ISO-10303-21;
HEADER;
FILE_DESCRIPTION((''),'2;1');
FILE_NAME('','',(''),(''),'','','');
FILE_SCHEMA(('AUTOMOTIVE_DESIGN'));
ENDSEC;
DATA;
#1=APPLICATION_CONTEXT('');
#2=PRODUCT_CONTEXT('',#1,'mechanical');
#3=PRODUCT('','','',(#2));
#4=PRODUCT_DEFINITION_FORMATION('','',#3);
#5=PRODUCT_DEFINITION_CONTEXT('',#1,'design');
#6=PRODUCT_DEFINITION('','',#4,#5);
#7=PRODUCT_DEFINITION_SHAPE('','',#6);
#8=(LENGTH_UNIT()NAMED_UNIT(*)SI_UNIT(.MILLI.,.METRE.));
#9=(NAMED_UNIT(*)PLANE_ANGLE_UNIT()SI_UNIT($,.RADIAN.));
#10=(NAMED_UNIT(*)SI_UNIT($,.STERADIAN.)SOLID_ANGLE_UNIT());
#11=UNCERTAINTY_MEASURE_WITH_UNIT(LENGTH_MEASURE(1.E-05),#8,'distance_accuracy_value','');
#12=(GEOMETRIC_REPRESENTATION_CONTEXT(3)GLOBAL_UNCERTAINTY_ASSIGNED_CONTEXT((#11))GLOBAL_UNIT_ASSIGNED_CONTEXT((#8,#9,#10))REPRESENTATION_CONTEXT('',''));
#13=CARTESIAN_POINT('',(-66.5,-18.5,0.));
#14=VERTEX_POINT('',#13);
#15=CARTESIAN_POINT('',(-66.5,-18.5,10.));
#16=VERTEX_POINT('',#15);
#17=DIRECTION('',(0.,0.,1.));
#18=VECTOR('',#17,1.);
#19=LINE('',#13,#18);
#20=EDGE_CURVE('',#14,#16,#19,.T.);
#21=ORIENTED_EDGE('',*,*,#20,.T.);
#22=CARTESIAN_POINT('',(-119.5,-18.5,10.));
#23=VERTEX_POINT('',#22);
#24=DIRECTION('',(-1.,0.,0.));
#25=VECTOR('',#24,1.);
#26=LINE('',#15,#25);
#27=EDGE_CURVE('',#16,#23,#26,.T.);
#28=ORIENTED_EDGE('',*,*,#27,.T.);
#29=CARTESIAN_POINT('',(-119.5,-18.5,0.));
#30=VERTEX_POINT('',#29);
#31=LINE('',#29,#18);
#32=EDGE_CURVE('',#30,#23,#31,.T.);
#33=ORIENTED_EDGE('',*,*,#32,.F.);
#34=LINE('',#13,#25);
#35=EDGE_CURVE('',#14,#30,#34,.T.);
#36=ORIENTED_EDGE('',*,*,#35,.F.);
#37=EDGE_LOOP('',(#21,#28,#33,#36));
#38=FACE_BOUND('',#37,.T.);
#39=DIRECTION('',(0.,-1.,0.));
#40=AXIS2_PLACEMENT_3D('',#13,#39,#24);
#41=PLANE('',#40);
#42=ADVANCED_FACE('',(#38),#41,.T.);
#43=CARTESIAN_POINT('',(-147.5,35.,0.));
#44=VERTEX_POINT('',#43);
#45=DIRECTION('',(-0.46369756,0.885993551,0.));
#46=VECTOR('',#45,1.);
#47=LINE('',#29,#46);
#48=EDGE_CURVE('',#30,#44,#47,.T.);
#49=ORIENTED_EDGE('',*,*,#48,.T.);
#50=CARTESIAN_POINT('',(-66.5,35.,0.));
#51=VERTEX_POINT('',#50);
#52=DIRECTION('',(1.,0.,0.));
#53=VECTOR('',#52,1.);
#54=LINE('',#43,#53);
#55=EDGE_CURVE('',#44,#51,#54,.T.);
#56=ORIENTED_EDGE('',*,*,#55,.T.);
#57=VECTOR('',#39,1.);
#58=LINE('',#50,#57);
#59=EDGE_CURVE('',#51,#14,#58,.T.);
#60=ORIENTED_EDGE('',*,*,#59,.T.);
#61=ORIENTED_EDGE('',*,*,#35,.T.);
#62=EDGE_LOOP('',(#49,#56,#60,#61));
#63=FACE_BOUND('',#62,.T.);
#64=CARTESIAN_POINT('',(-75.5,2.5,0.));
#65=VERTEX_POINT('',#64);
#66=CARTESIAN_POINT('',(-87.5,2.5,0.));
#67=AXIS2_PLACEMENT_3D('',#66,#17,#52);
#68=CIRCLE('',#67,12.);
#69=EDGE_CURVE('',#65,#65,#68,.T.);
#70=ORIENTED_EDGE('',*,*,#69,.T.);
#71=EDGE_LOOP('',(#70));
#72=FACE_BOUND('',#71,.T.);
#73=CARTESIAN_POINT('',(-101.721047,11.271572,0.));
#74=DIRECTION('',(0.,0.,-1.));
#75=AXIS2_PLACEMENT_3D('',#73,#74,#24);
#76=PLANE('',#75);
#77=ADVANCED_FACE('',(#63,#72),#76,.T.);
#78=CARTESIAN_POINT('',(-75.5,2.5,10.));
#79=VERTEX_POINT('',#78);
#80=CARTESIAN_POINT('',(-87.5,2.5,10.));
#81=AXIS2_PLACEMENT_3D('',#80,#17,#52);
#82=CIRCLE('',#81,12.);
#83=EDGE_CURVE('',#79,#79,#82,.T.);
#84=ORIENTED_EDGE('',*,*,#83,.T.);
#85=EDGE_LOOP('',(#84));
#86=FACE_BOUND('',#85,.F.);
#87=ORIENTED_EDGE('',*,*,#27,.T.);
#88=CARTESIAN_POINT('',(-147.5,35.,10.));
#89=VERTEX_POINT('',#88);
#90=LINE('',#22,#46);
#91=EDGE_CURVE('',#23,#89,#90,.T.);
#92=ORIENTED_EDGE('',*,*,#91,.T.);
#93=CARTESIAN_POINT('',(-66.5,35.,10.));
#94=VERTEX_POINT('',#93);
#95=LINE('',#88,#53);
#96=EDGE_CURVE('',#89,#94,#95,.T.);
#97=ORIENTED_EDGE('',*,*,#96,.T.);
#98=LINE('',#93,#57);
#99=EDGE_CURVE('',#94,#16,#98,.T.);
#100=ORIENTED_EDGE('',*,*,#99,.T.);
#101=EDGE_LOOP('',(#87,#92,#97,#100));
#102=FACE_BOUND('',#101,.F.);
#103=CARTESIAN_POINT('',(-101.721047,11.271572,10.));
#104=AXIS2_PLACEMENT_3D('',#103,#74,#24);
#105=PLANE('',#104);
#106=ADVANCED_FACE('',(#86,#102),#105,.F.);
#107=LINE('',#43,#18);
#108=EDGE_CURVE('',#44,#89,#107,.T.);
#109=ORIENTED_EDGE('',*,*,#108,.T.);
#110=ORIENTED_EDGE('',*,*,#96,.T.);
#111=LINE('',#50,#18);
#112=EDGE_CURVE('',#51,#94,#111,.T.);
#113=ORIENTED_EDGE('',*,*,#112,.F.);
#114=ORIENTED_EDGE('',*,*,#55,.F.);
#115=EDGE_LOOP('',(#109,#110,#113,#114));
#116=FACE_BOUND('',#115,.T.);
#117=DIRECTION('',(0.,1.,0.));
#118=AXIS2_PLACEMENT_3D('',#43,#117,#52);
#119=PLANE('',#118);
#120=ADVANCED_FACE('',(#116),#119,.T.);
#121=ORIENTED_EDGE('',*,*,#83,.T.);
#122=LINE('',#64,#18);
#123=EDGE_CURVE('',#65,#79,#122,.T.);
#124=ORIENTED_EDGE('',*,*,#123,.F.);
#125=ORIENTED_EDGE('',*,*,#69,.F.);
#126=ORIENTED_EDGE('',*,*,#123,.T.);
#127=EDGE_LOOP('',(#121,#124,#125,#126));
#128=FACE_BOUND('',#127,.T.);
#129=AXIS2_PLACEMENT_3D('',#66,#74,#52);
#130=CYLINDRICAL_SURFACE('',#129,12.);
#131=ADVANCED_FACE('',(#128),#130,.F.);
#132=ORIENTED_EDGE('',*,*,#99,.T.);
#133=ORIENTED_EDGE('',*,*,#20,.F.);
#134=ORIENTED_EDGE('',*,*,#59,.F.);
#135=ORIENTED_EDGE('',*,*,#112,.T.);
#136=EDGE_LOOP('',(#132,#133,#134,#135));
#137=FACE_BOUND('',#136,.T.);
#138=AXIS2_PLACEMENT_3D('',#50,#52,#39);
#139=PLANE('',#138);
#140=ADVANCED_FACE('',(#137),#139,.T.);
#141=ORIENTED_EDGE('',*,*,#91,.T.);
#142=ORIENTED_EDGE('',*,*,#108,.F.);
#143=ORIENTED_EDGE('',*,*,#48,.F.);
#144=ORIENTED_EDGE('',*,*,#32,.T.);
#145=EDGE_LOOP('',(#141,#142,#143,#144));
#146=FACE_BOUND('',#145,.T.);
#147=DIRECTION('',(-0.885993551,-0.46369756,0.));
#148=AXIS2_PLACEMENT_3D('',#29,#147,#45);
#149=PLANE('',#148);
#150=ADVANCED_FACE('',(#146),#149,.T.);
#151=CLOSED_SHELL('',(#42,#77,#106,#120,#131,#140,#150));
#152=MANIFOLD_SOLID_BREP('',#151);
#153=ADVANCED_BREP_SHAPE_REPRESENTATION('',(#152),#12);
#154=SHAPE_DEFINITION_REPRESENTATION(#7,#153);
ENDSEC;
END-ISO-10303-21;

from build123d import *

# Parameters (mm, degrees)
CYLINDER021_R     = 12
CYLINDER021_DEPTH = 10
PAD003_DEPTH      = 10


with BuildPart() as cylinder021:
    # Cylinder021 → Cylinder021 (new body)
    with BuildSketch(Plane(origin=(-87.5, 2.5, 0), x_dir=(1, 0, 0), z_dir=(0, 0, 1))):
        Circle(CYLINDER021_R)
    extrude(amount=CYLINDER021_DEPTH)


with BuildPart() as right_ref:
    # Sketch003 → Pad003 (new body)
    with BuildSketch(Plane.XY):
        Polygon((-147.5, 35), (-66.5, 35), (-66.5, -18.5), (-119.5, -18.5), align=None)
    extrude(amount=PAD003_DEPTH)

    # Cut001003: cut Cylinder021
    add(cylinder021.part, mode=Mode.SUBTRACT)


solid = right_ref.part
